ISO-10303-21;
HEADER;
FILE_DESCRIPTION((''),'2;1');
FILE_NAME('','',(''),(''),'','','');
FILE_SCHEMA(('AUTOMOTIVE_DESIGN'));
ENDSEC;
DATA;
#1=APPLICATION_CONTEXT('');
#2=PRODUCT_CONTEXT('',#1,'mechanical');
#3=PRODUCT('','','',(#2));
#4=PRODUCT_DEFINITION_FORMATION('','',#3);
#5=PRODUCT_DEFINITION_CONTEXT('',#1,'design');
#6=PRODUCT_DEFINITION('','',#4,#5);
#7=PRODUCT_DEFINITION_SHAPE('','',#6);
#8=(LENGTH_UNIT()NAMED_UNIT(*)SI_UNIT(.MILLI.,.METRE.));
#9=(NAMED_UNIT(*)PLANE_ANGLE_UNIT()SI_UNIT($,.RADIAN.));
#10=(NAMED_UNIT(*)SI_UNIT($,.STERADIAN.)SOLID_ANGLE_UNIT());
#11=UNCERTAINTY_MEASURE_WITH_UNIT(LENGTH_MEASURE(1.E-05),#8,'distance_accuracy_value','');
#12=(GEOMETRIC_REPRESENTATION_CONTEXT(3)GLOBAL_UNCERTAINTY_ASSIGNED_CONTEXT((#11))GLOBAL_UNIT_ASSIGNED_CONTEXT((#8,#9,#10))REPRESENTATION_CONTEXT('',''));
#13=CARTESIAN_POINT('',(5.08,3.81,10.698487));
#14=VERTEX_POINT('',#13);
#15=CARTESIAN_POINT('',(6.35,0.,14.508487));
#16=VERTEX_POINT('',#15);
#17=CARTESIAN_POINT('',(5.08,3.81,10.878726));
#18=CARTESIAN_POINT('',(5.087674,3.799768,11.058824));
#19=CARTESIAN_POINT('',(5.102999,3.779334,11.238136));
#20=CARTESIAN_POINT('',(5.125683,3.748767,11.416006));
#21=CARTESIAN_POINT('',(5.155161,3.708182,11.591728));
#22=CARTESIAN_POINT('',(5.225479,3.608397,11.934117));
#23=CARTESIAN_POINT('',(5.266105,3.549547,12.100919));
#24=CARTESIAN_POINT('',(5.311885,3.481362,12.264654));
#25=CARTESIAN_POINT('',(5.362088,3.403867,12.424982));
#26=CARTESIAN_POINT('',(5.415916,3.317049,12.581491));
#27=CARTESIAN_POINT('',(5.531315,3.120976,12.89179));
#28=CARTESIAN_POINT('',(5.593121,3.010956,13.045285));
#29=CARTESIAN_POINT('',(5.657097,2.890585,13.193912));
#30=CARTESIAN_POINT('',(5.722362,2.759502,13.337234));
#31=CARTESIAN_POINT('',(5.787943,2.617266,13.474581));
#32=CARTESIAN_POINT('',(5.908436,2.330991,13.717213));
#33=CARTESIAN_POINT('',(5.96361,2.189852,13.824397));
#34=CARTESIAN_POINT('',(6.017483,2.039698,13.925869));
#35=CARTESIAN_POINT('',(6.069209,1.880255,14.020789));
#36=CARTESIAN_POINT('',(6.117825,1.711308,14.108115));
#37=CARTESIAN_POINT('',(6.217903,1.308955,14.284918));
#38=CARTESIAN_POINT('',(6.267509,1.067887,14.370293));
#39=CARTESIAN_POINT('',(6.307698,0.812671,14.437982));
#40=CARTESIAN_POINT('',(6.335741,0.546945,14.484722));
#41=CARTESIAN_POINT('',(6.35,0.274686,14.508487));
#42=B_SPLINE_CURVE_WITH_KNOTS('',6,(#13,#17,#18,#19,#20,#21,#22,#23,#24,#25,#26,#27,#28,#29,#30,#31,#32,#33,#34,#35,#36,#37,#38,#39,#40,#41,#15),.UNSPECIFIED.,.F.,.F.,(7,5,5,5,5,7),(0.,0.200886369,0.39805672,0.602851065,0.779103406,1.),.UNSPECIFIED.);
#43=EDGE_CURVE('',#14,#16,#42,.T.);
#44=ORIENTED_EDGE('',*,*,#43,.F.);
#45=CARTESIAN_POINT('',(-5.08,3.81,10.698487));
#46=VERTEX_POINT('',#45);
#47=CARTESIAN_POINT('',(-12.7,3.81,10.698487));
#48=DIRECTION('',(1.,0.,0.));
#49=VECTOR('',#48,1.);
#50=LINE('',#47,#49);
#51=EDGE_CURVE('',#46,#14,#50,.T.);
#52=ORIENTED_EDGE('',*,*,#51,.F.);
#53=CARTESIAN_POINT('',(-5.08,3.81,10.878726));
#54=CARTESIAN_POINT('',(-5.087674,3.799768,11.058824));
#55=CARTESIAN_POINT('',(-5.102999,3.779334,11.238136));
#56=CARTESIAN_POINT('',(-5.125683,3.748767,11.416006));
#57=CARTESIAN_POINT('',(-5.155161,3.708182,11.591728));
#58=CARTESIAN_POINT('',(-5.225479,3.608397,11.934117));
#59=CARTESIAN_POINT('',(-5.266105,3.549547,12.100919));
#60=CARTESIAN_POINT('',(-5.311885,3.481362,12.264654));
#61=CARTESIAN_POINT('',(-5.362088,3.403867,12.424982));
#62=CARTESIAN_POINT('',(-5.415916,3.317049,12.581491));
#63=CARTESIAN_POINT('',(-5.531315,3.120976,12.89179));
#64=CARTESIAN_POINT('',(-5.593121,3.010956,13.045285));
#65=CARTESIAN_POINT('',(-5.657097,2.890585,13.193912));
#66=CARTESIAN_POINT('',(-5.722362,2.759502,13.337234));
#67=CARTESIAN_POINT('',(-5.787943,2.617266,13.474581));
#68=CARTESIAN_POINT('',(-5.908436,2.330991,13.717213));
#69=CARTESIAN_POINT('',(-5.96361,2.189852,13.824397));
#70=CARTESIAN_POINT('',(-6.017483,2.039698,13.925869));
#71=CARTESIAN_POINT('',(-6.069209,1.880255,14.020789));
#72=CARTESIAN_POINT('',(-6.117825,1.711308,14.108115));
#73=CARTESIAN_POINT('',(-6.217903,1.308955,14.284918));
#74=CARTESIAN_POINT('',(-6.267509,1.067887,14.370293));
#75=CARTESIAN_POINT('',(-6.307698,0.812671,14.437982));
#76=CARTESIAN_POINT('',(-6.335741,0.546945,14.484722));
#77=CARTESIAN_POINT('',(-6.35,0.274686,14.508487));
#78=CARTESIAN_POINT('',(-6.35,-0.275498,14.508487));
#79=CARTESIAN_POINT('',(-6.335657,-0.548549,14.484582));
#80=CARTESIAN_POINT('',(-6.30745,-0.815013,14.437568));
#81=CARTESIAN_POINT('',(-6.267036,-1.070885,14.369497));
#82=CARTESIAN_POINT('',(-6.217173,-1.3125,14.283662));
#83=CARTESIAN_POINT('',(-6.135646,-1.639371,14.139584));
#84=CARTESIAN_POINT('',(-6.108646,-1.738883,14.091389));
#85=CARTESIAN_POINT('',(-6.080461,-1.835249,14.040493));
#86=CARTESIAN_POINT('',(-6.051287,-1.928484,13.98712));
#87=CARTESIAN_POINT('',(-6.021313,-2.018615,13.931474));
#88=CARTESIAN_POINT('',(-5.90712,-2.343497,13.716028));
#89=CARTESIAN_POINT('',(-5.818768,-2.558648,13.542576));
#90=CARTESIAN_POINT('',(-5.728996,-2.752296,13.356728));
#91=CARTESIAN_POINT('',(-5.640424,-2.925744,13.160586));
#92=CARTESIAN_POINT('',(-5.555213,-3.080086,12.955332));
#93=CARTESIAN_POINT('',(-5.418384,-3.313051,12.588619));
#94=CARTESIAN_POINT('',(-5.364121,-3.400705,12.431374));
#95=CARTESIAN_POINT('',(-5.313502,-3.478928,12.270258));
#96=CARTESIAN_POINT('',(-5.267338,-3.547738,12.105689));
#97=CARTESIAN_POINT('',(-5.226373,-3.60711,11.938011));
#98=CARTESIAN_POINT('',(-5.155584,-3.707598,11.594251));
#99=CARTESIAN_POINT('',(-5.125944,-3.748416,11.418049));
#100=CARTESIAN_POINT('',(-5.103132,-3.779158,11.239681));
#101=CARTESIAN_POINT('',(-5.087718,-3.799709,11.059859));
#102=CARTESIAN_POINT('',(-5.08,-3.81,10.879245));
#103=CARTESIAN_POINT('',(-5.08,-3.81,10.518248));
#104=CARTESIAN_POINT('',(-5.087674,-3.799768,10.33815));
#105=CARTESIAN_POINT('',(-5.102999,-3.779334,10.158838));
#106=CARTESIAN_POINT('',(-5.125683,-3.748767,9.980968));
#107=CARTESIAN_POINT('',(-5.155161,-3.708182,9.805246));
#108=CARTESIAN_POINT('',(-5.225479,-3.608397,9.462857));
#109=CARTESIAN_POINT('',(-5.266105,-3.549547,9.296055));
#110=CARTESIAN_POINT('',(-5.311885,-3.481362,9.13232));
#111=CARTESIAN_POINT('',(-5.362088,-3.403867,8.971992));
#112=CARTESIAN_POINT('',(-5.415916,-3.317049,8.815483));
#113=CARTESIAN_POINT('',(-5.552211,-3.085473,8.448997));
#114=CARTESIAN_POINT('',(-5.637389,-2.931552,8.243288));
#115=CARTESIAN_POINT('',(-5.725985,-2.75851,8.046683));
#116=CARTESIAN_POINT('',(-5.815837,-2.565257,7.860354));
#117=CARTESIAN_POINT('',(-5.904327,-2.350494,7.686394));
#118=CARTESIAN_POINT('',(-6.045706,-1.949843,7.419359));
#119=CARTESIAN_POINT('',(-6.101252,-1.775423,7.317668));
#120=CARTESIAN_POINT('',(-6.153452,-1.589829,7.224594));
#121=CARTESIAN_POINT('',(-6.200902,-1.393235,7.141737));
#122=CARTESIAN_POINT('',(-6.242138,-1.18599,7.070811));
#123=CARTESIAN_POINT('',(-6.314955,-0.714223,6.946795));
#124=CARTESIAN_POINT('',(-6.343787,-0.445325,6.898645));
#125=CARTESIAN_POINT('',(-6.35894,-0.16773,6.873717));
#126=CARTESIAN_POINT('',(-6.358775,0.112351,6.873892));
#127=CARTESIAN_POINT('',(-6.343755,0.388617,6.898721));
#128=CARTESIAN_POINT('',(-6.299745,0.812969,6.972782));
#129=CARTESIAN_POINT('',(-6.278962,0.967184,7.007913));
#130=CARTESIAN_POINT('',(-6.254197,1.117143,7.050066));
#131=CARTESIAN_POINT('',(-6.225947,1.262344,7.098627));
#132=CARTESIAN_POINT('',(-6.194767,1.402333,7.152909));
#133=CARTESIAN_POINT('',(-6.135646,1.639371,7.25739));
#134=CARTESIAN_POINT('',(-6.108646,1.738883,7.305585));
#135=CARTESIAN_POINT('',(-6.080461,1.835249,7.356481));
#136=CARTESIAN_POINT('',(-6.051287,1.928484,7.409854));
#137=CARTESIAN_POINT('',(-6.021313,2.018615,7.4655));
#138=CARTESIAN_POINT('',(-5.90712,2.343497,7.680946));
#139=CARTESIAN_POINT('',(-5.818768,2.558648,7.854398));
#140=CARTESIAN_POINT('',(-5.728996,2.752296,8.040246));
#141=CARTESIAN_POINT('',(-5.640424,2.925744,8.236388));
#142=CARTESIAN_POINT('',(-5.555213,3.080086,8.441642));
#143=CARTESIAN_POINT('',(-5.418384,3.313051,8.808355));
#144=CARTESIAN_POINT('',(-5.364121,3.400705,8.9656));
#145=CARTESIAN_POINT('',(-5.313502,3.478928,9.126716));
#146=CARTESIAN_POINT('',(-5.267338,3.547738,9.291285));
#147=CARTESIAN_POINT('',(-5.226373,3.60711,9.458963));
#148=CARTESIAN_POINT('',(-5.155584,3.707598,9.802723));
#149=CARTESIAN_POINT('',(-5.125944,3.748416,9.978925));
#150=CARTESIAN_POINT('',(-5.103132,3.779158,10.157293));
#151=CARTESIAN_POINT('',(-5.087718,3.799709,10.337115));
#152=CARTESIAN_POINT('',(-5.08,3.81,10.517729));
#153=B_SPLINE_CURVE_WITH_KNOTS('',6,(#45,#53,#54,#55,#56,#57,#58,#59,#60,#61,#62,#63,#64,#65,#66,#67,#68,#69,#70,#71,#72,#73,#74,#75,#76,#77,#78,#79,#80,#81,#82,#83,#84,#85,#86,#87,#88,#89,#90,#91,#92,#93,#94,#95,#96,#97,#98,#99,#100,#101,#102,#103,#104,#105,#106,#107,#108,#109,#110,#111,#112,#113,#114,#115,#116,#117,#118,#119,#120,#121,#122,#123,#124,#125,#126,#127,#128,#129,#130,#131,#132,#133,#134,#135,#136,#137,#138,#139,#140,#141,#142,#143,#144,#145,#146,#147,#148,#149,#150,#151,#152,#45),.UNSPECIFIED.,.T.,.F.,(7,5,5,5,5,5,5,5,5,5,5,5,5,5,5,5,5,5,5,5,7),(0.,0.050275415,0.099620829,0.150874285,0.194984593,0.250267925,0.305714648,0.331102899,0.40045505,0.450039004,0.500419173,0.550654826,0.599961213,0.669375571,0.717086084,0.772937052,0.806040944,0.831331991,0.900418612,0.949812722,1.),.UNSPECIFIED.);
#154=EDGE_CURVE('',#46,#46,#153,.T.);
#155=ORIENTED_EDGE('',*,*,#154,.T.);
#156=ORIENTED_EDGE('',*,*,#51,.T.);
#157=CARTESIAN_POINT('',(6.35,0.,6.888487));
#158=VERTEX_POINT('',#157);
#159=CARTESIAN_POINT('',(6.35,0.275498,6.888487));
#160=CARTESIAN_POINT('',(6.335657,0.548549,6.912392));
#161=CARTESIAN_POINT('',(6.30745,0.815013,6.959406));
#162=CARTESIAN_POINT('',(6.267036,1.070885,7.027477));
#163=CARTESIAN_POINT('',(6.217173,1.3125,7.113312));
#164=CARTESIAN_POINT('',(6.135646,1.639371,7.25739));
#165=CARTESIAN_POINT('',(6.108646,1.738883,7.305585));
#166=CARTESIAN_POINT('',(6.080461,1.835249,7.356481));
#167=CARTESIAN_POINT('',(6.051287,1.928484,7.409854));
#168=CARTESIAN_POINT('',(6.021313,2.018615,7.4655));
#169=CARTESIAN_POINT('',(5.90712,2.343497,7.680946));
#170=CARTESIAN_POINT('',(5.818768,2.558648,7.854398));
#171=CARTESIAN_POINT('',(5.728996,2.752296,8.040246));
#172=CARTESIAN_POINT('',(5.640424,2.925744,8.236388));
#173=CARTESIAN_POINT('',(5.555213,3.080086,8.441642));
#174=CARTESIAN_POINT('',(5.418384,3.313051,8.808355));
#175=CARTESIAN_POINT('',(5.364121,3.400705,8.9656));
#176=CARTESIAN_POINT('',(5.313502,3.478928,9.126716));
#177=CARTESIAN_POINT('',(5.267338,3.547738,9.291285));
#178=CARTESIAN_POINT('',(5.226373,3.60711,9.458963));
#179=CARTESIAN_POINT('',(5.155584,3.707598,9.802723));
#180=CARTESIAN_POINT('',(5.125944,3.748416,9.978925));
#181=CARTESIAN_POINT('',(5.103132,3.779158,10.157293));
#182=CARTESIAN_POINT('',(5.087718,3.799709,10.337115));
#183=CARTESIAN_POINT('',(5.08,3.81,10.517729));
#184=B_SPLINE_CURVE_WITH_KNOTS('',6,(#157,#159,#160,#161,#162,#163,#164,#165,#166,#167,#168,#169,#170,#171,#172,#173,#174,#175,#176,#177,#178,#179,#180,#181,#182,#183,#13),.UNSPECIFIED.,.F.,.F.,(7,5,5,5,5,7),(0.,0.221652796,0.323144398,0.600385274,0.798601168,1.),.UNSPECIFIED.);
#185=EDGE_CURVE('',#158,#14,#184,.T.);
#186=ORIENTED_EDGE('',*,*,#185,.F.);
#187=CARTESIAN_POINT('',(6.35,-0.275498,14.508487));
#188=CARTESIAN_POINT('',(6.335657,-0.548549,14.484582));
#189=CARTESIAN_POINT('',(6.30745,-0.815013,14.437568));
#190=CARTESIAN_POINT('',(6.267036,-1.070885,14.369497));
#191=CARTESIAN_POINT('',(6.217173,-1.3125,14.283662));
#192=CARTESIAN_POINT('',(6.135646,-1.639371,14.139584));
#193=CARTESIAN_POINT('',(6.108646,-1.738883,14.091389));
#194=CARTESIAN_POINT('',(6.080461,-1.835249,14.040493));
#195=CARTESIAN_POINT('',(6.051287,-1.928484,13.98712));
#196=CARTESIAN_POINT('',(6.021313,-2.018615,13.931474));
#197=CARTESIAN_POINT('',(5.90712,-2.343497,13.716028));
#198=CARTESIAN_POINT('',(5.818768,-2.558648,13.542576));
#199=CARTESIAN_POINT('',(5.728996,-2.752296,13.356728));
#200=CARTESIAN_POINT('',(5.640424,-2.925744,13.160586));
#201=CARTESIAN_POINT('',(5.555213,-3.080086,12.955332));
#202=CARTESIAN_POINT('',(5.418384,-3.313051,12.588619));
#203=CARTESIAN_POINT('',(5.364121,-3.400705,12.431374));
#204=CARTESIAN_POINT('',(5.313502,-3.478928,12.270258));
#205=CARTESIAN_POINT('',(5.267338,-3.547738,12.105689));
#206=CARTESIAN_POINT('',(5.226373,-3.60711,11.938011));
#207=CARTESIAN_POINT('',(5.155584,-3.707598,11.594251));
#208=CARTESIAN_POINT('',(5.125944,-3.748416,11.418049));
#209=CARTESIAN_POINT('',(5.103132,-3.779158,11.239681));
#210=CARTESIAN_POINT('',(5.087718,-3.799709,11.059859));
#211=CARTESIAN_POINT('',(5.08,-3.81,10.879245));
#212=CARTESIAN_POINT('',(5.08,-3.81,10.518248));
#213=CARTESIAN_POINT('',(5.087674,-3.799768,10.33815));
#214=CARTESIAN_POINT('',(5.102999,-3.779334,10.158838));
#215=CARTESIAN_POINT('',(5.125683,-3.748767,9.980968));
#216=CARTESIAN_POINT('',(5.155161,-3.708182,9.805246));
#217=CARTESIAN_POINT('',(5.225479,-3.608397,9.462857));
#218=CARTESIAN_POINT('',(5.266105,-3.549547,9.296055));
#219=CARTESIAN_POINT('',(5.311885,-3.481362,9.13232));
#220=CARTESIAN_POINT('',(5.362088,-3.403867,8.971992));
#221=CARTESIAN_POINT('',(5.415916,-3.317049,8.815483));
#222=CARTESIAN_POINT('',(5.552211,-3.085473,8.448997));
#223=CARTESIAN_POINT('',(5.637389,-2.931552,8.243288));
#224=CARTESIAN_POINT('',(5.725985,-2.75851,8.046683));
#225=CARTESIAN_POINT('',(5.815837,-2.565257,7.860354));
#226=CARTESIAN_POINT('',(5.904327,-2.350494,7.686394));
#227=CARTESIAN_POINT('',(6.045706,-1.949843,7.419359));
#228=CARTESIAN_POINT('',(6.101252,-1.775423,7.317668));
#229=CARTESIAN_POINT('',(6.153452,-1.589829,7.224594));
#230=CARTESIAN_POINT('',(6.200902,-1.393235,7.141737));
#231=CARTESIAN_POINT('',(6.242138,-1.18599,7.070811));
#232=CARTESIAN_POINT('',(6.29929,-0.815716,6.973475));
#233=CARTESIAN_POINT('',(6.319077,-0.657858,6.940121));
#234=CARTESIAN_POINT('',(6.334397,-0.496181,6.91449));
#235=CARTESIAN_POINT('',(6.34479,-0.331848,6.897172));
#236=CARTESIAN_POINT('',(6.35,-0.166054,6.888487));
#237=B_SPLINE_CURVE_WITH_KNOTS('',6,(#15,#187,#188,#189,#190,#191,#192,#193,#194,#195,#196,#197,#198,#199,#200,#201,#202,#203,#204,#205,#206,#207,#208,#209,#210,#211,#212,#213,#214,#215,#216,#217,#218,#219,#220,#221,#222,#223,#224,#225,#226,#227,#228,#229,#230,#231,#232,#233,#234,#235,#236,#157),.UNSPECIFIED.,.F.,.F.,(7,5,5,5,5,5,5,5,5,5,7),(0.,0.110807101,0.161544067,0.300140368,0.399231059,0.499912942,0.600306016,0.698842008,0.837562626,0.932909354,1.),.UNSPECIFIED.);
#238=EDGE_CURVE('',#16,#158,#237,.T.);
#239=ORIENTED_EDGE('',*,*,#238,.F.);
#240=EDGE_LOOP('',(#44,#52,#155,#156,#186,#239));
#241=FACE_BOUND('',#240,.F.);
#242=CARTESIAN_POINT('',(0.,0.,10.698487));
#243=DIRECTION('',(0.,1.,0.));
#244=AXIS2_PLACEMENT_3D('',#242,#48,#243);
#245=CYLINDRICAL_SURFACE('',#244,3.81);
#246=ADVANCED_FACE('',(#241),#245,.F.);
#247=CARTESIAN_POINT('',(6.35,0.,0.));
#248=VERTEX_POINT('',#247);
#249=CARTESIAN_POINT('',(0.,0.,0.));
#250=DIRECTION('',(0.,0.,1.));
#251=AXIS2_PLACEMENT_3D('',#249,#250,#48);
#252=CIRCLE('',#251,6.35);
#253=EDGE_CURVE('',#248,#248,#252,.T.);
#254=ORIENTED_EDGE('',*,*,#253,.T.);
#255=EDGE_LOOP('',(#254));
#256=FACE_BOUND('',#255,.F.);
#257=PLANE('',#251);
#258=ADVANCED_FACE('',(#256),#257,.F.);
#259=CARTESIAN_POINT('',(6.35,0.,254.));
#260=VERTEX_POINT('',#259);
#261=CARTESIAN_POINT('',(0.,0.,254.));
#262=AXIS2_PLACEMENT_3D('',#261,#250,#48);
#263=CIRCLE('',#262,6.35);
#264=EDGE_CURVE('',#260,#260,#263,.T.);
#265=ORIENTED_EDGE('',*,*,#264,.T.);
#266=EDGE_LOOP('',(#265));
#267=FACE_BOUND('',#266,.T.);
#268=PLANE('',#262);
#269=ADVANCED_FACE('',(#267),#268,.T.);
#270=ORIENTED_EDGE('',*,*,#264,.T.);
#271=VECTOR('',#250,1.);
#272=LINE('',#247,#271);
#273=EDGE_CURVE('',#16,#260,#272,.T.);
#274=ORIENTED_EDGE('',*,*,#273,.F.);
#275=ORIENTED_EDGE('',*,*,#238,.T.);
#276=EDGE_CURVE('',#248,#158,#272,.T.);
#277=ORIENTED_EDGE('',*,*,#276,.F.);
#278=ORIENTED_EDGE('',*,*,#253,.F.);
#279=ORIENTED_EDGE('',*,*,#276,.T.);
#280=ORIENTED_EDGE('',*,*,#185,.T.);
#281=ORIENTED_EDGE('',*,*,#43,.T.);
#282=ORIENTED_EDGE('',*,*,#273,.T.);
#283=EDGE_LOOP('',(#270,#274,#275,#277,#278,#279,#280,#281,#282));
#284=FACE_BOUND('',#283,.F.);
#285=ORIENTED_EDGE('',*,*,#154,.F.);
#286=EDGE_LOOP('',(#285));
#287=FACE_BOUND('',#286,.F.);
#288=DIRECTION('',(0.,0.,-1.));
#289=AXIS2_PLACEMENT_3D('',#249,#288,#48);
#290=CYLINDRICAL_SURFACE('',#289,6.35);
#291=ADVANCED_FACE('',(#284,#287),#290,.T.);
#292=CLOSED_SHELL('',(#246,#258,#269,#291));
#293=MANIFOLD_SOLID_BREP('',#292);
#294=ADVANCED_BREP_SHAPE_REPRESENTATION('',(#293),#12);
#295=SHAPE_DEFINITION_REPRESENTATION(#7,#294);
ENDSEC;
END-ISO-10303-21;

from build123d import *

# Parameters (mm, degrees)
F0_R     = 6.35
F1_DEPTH = 254
F2_R     = 3.81
F3_DEPTH = 12.7


with BuildPart() as f1:
    # F0 (on Top) → F1 (new body)
    with BuildSketch(Plane.XY):
        Circle(F0_R)
    extrude(amount=F1_DEPTH)

    # F2 (on Right) → F3 (cut, symmetric)
    with BuildSketch(Plane.YZ):
        with Locations((0, 10.698487)):
            Circle(F2_R)
    extrude(amount=F3_DEPTH, both=True, mode=Mode.SUBTRACT)


solid = f1.part
